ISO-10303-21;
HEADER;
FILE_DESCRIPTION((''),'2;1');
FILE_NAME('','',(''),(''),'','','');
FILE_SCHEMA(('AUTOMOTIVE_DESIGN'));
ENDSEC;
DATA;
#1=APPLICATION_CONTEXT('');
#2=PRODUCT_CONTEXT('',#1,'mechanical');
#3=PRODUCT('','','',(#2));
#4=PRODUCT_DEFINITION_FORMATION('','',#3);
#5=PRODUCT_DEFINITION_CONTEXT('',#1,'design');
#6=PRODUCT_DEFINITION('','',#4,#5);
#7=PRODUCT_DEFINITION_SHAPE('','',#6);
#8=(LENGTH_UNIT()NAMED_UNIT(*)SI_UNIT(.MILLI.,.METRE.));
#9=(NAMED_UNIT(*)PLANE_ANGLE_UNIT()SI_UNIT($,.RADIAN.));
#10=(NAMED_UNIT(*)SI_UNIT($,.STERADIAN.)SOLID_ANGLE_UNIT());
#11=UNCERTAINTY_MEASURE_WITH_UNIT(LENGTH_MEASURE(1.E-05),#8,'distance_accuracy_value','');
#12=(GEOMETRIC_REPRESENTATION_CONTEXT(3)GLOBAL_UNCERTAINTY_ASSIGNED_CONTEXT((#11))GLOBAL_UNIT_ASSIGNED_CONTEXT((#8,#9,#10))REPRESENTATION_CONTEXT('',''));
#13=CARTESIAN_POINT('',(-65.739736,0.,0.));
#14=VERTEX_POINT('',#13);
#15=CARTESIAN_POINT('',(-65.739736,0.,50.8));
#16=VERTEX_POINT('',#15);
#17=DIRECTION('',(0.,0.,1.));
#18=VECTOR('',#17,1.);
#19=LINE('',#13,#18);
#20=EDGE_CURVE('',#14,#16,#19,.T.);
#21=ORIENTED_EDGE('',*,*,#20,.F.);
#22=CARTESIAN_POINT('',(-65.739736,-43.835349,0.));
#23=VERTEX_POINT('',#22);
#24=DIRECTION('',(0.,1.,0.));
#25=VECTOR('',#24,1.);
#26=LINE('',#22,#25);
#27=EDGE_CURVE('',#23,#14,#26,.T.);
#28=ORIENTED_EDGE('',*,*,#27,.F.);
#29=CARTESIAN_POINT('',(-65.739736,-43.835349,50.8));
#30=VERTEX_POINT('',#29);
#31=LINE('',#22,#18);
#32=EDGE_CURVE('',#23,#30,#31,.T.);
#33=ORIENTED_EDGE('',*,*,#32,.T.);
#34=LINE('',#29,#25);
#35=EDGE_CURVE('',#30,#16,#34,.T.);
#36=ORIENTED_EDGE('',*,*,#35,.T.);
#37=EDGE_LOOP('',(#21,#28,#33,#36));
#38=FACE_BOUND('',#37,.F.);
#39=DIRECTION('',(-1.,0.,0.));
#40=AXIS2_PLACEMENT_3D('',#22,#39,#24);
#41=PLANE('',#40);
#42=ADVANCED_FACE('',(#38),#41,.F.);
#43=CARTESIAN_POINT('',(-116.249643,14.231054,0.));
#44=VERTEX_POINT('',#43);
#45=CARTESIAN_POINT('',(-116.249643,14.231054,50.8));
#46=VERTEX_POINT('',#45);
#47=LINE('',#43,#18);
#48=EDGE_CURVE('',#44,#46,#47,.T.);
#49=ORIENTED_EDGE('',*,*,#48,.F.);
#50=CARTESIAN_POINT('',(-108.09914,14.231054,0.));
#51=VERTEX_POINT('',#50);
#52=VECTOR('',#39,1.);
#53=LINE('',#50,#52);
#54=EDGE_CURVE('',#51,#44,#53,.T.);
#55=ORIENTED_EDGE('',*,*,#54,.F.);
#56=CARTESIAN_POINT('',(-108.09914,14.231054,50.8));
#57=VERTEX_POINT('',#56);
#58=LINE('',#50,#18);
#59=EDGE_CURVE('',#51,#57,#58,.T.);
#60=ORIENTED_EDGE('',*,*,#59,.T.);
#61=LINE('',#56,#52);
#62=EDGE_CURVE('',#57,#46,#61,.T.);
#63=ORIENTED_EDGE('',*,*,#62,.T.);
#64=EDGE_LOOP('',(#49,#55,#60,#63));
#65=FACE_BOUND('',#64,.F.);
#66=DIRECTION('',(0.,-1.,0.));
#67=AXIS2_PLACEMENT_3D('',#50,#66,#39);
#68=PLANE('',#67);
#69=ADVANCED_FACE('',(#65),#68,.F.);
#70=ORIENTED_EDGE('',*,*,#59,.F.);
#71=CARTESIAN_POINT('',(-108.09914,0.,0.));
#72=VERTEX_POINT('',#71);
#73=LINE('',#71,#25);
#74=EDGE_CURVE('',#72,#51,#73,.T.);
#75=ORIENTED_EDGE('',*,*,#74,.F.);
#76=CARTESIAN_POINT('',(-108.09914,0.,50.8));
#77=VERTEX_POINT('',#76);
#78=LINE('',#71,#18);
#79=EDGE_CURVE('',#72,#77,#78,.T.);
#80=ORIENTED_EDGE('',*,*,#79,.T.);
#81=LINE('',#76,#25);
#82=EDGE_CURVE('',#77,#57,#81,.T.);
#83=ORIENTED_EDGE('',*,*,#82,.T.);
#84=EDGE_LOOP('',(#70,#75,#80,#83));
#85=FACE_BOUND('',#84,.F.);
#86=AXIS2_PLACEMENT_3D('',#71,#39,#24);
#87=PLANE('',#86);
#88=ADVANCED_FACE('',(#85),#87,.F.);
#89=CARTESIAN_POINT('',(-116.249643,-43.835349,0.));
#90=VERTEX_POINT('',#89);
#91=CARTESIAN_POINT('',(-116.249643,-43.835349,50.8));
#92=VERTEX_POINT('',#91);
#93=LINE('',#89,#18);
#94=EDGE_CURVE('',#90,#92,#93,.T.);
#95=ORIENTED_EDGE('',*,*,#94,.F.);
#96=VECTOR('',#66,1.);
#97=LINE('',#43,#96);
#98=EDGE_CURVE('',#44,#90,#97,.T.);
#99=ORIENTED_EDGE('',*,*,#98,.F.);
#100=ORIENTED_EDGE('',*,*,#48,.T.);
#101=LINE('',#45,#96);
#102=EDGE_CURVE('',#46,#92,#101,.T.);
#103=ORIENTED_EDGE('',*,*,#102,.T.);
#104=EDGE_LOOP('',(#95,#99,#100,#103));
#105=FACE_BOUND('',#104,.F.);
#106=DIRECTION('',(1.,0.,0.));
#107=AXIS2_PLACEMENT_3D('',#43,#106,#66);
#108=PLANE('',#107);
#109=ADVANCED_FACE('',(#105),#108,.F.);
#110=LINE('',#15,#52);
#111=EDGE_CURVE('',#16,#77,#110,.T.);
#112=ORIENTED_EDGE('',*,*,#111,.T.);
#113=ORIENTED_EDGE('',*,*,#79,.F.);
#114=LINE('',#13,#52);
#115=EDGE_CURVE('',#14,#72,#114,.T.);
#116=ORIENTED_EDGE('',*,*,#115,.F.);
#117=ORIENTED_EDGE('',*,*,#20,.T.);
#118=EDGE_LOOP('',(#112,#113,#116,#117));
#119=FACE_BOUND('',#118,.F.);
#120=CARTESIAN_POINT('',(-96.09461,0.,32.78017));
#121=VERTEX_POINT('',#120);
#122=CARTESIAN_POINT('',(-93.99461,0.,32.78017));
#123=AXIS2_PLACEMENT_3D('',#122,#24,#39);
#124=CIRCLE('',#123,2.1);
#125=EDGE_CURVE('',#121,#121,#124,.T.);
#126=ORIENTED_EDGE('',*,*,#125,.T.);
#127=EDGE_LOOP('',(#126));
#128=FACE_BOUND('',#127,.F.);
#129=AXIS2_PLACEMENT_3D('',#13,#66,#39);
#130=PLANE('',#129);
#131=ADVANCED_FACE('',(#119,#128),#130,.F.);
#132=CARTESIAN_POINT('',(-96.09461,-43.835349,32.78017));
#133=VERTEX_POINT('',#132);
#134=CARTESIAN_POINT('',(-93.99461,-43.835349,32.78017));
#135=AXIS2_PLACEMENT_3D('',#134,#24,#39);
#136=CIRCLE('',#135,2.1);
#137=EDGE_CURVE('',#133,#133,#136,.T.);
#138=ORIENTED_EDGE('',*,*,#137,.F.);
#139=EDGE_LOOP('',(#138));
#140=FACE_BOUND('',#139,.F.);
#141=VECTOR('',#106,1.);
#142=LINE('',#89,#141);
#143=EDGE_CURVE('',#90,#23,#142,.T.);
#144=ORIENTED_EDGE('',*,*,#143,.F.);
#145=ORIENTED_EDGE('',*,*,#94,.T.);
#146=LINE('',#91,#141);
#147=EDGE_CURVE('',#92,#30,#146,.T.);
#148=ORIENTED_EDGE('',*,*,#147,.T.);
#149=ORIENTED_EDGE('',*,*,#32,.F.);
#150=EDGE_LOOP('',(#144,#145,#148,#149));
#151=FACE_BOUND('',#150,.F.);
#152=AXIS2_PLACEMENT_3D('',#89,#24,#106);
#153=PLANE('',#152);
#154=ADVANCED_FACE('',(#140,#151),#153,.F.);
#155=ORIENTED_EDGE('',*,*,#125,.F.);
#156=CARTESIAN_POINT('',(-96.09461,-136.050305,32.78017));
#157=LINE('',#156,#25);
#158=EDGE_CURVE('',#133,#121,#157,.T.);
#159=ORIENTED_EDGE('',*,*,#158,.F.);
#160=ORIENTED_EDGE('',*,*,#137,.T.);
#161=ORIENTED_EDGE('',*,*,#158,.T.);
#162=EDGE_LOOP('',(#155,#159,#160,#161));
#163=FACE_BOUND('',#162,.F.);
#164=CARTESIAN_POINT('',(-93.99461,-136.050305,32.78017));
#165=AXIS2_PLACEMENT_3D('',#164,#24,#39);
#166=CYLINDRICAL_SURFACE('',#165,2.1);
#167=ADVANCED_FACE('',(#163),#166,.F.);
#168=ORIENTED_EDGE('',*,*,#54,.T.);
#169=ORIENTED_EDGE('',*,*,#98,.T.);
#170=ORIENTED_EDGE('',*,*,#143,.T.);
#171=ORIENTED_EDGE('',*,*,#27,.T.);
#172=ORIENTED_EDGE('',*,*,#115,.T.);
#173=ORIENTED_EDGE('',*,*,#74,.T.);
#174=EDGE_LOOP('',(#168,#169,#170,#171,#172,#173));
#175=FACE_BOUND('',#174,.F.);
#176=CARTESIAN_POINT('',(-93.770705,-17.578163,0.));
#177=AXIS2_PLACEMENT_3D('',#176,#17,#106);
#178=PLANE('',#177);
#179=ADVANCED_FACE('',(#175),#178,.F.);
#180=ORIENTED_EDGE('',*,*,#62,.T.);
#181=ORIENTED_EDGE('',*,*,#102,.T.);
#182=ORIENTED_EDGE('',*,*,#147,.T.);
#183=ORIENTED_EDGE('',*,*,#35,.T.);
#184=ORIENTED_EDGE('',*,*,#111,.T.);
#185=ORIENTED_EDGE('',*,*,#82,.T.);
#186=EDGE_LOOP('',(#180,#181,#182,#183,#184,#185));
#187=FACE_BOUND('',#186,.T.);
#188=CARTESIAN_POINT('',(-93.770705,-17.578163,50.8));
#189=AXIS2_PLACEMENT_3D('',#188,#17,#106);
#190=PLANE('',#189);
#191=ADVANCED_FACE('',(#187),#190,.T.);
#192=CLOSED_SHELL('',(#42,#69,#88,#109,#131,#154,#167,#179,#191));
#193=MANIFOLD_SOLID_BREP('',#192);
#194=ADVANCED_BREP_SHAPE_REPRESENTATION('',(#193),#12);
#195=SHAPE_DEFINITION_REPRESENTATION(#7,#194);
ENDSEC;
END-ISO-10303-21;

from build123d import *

# Parameters (mm, degrees)
F1_DEPTH = 50.8
F3_D     = 4.2


with BuildPart() as f1:
    # F0 (on Top) → F1 (new body)
    with BuildSketch(Plane.XY):
        Polygon((-108.0991402268, 14.2310541123), (-116.2496432662, 14.2310541123), (-116.2496432662, -43.835349381), (-65.739735961, -43.835349381), (-65.739735961, 0), (-108.0991402268, 0), align=None)
    extrude(amount=F1_DEPTH)

    # F3 (through all)
    with Locations(Plane.XZ.offset(43.835349381)):
        with Locations((-93.9946100116, 32.7801704407)):
            Hole(F3_D / 2)


solid = f1.part
